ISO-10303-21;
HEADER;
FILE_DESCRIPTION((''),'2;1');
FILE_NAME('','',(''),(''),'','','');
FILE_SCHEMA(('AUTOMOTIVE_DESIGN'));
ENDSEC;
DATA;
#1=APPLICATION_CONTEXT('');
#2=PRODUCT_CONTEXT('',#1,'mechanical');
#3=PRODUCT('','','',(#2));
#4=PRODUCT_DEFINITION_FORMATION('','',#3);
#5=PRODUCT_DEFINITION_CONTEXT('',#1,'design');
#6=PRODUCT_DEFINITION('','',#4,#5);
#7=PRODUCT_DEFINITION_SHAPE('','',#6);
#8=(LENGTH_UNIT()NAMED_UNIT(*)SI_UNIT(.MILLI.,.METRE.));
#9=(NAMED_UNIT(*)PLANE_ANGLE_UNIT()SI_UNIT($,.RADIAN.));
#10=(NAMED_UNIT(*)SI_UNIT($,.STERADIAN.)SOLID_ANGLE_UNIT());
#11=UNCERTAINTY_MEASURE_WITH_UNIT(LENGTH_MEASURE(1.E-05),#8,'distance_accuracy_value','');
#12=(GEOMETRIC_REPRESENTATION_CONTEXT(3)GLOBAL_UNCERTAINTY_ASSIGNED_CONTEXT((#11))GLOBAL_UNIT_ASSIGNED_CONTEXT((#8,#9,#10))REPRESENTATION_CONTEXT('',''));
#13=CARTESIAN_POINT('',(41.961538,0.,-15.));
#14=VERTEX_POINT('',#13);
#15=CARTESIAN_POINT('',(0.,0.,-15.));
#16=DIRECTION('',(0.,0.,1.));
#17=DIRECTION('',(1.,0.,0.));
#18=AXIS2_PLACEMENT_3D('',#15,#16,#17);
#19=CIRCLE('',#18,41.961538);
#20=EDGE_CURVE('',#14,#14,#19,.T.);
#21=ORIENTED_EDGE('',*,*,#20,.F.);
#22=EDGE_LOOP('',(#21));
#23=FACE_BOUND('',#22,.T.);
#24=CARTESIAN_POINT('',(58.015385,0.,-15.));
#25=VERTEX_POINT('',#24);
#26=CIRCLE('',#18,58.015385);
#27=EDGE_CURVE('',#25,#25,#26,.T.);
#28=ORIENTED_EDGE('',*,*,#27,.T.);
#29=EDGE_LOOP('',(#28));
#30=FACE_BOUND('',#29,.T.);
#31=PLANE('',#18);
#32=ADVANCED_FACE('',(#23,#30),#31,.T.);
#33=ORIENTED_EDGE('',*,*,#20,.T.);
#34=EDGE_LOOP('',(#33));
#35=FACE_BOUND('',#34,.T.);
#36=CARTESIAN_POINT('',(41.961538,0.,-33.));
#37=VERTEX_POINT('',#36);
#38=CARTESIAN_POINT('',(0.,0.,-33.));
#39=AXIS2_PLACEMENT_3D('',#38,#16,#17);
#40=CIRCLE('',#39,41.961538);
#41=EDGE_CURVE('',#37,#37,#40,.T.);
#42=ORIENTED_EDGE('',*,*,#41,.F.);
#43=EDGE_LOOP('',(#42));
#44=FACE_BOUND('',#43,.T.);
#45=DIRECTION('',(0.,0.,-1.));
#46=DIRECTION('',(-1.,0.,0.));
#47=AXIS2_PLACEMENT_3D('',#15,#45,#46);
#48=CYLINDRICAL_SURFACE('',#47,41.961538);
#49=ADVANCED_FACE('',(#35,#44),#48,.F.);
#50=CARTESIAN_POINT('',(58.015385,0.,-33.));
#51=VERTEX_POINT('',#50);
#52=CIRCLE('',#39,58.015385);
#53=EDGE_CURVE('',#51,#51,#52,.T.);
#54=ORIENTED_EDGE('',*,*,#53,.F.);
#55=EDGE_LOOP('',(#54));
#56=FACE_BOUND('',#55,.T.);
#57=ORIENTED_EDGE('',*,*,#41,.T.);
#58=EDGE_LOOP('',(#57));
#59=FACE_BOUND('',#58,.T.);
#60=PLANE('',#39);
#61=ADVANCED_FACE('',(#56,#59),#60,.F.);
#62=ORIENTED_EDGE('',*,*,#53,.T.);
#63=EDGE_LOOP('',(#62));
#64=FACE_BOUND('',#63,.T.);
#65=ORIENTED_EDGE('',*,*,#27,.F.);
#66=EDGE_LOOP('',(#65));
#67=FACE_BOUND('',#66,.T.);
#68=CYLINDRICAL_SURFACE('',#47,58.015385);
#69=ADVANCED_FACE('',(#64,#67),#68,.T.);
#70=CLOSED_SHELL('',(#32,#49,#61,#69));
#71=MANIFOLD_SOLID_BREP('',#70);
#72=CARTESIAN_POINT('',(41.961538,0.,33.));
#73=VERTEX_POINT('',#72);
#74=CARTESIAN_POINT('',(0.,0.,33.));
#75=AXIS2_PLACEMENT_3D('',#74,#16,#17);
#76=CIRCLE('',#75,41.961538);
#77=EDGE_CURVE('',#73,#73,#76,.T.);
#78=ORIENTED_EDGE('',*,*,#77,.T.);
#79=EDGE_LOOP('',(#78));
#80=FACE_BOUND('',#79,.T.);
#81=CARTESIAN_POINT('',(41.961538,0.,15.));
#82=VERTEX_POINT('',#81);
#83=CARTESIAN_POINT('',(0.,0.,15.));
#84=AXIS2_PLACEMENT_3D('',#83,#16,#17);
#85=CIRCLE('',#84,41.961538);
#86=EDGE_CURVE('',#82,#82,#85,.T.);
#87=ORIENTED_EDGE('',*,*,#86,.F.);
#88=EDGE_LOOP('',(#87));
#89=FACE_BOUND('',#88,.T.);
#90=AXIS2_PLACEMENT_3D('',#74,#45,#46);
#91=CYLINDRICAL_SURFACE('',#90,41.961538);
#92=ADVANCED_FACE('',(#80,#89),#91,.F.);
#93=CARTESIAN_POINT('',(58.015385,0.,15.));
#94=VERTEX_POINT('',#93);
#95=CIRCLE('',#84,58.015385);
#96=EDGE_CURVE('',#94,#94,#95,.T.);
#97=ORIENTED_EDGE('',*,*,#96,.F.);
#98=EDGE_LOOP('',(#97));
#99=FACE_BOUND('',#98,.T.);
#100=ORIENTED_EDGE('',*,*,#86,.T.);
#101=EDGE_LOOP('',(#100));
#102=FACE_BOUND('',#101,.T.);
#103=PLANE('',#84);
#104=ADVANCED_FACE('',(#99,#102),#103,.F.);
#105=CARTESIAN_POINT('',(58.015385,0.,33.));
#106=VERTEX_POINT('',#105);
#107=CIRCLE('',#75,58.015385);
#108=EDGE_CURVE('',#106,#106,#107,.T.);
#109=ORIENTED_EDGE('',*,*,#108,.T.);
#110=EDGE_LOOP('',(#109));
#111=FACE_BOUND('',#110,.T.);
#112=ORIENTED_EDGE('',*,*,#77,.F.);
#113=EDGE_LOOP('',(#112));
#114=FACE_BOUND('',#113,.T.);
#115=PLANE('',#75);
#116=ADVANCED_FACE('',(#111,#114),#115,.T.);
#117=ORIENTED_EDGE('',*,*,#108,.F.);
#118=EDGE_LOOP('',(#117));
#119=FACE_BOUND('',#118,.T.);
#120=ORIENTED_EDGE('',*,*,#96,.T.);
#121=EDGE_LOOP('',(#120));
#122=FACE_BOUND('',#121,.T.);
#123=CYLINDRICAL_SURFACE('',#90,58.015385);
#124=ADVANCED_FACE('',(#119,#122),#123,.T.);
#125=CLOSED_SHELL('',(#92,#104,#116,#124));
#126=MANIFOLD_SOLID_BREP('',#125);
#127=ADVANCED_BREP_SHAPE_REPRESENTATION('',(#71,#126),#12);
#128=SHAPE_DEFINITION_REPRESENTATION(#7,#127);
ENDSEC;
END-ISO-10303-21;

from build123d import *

# Parameters (mm, degrees)
ENDTURN_R_START = 15
SKETCH_1_R      = 58.015384615
SKETCH_1_R_2    = 41.961538462
ENDTURN_R_DEPTH = 18
ENDTURN_L_START = -33
SKETCH_2_R      = 58.015384615
SKETCH_2_R_2    = 41.961538462
ENDTURN_L_DEPTH = 18


with BuildPart() as part:
    # Эскиз1 → Endturn_R (new body)
    with BuildSketch(Plane.XY.offset(ENDTURN_R_START)):
        Circle(SKETCH_1_R)
        Circle(SKETCH_1_R_2, mode=Mode.SUBTRACT)
    extrude(amount=ENDTURN_R_DEPTH)


with BuildPart() as body_2:
    # Эскиз2 → Endturn_L (new body)
    with BuildSketch(Plane.XY.offset(ENDTURN_L_START)):
        Circle(SKETCH_2_R)
        Circle(SKETCH_2_R_2, mode=Mode.SUBTRACT)
    extrude(amount=ENDTURN_L_DEPTH)


solid = Compound([part.part, body_2.part])
